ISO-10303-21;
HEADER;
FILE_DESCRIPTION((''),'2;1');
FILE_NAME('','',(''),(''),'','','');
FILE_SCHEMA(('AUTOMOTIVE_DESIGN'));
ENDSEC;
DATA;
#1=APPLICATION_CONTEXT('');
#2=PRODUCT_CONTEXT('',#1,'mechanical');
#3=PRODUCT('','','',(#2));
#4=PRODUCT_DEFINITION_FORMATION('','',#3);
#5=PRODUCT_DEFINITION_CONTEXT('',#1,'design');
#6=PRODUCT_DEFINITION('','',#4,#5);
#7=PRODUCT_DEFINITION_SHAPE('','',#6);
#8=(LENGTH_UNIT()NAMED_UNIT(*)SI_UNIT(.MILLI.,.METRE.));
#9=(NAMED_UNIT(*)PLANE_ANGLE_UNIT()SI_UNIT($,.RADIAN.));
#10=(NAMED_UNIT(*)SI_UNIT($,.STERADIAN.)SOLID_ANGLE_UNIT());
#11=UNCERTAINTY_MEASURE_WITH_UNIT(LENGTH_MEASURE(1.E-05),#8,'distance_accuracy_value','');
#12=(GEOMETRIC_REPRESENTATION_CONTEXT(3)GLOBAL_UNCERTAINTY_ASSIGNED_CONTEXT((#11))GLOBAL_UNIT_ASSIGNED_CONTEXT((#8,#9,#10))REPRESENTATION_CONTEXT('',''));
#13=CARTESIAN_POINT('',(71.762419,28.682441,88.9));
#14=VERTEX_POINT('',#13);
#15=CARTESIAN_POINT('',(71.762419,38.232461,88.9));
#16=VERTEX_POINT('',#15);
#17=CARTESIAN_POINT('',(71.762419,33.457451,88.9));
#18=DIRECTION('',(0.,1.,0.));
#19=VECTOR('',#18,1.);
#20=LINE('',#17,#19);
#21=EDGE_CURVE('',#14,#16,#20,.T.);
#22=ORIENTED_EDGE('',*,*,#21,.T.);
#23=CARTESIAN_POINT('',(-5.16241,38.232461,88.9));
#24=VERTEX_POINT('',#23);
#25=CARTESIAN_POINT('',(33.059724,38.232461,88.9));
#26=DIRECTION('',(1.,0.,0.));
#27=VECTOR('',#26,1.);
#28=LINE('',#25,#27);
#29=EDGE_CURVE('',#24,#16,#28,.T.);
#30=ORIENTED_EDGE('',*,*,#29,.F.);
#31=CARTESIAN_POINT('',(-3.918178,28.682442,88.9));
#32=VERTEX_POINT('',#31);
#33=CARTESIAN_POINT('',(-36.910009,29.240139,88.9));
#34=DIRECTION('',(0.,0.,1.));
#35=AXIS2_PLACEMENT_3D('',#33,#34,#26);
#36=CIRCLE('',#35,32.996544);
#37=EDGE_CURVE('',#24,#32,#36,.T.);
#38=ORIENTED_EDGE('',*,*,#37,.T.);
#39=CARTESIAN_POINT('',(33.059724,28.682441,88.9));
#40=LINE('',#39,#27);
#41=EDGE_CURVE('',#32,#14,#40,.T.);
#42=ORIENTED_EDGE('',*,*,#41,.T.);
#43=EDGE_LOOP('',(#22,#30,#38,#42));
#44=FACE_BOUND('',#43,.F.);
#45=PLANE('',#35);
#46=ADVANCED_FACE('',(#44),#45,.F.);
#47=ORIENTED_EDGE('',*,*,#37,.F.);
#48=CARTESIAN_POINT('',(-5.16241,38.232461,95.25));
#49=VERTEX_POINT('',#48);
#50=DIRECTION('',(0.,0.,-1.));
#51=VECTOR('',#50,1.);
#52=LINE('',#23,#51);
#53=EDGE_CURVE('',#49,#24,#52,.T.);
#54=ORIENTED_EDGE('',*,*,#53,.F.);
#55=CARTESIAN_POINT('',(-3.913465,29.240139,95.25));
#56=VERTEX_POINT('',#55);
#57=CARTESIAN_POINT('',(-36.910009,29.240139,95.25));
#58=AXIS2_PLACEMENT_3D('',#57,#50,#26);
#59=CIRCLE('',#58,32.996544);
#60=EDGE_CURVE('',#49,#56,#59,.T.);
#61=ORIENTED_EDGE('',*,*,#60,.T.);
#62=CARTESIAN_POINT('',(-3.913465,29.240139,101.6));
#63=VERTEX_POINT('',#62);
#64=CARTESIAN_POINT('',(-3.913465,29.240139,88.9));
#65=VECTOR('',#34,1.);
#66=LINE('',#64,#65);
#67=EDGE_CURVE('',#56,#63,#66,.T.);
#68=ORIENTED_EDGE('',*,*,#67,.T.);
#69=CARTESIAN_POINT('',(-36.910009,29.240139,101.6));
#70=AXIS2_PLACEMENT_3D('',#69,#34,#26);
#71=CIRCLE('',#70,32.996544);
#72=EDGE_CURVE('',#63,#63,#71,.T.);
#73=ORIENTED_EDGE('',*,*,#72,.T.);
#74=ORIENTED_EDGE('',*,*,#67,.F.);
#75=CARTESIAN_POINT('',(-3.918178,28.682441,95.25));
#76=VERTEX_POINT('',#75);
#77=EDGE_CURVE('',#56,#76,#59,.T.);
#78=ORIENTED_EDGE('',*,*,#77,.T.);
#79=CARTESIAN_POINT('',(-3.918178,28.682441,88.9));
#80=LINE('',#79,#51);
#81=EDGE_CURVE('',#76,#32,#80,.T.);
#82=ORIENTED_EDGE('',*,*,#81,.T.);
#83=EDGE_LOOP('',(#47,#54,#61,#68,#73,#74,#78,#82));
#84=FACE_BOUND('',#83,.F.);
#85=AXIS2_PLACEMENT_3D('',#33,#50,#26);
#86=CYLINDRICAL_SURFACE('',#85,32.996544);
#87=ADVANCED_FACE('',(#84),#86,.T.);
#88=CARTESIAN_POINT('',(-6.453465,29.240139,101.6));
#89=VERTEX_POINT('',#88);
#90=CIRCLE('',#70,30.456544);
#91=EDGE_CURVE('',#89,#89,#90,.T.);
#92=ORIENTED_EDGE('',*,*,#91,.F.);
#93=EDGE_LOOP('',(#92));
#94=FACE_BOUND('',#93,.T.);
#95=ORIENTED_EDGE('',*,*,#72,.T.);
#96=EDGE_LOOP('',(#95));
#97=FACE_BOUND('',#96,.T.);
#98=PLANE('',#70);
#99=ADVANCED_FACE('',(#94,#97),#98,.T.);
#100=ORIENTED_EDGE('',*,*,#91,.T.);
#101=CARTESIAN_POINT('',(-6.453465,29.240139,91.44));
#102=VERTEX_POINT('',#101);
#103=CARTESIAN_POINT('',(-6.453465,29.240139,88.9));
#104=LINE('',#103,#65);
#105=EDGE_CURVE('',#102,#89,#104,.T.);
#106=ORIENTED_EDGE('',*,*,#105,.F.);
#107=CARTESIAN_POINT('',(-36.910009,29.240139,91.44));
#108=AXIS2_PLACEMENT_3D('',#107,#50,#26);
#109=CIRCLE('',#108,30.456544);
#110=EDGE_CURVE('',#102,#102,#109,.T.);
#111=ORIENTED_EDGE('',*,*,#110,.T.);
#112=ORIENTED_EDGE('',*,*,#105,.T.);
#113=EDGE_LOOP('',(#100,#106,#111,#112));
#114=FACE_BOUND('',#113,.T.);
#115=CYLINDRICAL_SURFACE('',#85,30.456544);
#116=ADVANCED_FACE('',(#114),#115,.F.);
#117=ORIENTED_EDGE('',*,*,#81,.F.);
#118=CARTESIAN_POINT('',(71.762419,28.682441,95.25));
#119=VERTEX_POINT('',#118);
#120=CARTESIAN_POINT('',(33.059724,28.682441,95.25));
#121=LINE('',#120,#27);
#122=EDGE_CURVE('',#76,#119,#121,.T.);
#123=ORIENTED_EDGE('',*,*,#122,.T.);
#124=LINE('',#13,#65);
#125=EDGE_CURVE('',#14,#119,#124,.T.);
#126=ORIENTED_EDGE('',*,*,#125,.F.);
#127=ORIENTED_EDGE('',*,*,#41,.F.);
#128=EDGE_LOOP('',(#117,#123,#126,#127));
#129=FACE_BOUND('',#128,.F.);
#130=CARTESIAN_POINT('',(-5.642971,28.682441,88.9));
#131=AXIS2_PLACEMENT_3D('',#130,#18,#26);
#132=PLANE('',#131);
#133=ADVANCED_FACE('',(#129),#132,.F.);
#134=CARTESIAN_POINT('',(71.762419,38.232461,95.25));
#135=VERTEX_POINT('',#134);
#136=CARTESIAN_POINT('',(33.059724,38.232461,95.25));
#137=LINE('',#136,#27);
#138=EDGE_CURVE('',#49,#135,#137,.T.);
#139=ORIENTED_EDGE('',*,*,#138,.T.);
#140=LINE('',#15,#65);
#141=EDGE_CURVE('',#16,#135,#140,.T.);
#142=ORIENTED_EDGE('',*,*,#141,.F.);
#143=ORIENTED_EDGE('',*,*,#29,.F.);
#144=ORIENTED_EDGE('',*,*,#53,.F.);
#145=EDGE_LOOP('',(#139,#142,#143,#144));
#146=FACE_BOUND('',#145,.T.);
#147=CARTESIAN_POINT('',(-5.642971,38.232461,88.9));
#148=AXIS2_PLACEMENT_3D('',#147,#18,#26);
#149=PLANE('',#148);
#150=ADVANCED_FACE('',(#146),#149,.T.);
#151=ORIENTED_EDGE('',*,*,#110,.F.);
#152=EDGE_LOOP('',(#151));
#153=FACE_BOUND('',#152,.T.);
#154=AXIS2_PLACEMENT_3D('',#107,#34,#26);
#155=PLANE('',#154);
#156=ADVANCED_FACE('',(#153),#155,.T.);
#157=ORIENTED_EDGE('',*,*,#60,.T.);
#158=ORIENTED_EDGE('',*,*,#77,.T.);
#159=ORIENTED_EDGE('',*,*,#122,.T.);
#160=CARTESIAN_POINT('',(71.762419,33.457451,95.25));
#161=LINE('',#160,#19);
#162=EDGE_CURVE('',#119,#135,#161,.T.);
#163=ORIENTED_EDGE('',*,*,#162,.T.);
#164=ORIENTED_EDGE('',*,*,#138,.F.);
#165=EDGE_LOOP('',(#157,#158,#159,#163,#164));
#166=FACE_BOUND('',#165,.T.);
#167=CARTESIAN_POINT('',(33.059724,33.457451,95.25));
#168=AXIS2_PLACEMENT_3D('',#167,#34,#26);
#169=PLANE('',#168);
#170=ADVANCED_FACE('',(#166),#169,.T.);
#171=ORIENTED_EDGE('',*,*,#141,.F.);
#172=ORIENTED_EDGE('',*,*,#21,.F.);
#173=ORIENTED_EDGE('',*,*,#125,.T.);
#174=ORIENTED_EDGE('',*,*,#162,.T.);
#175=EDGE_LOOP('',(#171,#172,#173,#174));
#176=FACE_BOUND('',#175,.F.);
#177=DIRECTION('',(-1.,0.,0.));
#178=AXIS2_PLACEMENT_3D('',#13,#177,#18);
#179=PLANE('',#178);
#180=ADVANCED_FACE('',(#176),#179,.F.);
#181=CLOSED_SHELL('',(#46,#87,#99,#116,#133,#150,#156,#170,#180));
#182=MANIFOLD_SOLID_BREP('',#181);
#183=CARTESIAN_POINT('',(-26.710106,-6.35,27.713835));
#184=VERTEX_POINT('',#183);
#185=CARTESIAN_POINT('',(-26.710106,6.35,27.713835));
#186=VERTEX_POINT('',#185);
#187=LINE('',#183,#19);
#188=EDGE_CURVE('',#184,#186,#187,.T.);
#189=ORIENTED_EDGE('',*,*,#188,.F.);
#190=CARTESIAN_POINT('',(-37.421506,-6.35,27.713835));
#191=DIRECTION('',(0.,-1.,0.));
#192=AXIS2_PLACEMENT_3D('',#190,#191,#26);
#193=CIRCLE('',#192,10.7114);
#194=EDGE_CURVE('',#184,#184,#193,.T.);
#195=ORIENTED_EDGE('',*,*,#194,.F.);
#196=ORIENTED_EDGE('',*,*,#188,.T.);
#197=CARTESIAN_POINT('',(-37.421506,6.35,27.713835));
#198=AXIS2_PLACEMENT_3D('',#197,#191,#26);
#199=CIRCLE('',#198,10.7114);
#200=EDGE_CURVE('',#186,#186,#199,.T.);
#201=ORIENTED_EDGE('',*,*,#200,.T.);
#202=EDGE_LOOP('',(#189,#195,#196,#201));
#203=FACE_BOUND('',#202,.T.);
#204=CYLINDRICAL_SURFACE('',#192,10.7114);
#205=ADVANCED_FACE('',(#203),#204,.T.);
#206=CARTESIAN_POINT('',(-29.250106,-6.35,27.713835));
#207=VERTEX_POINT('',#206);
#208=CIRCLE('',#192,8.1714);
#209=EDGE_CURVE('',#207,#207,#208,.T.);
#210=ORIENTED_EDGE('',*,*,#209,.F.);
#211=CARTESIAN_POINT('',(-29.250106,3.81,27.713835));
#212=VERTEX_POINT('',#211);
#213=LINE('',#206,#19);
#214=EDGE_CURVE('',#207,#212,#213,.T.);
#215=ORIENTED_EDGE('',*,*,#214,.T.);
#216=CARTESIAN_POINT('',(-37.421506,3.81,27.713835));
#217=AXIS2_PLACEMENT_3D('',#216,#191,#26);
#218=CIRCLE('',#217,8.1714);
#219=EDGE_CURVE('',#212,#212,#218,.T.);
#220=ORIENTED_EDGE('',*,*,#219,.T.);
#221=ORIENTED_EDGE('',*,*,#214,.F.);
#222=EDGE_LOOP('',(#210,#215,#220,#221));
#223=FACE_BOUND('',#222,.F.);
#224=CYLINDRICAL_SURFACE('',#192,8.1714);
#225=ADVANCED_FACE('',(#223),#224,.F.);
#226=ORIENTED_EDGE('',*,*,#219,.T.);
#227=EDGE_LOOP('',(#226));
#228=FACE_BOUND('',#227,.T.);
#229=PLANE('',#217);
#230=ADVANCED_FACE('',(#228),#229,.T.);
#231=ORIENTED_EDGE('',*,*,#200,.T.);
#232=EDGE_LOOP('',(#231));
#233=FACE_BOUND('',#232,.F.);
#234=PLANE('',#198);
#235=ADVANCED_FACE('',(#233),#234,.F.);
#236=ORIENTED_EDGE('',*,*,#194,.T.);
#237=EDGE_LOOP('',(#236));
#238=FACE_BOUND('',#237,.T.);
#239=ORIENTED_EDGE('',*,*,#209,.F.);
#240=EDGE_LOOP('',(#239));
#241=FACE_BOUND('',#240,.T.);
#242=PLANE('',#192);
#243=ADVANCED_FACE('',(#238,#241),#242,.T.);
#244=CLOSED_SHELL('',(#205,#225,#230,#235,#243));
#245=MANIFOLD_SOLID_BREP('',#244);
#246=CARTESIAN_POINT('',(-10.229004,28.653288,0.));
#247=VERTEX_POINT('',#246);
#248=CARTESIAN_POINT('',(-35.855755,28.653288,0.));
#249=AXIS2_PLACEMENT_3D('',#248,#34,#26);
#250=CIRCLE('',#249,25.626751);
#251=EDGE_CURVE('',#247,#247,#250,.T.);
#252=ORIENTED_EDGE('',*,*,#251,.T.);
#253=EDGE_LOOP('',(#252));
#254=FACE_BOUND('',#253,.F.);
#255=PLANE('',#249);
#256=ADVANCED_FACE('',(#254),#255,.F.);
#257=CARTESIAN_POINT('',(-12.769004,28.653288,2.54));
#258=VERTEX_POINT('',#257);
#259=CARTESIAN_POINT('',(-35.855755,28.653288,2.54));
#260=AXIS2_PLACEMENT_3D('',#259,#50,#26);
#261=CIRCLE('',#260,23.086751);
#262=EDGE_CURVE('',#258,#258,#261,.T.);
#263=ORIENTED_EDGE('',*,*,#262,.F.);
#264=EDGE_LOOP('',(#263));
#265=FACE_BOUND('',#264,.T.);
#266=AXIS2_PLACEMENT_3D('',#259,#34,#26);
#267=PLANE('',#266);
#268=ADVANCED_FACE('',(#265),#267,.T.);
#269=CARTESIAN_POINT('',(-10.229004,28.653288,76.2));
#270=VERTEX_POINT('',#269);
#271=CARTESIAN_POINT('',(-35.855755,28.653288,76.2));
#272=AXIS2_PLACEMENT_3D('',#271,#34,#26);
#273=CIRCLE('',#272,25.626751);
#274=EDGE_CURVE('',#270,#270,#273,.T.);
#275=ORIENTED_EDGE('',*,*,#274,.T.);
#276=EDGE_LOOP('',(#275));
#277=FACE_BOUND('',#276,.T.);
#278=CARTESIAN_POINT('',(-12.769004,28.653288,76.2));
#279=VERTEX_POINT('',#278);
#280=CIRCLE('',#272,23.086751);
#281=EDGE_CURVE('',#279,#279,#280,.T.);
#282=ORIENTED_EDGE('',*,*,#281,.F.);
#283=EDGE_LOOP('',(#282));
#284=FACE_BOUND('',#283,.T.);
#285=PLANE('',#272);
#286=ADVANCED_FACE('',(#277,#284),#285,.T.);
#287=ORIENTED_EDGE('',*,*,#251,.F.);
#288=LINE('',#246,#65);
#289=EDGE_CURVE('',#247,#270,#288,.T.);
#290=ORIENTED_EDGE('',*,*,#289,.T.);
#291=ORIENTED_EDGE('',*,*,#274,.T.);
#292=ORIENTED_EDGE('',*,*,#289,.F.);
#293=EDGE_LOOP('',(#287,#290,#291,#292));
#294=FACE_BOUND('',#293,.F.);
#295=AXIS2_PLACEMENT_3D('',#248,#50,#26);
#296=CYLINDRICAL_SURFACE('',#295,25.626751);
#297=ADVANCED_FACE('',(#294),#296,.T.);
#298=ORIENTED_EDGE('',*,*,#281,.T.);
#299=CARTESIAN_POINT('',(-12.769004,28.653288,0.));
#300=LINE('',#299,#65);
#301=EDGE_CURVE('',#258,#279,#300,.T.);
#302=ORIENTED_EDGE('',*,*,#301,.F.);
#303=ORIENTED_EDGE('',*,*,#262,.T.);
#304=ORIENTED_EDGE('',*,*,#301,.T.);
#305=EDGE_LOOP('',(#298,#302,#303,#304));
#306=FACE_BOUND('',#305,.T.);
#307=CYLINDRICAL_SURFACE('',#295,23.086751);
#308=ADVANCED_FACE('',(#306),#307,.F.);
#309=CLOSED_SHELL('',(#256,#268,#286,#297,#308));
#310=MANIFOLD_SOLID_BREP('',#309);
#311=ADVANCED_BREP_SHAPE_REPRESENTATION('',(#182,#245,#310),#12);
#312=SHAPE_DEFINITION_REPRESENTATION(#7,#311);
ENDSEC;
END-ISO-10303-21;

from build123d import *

# Parameters (mm, degrees)
F0_R      = 25.626751
F1_DEPTH  = 76.2
F2_T      = -2.54
F4_R      = 10.7114
F5_DEPTH  = 12.7
F6_T      = -2.54
F10_R     = 32.996544
F11_DEPTH = 12.7
F12_T     = -2.54
F13_W     = 77.405391
F13_H     = 9.550019
F14_DEPTH = 6.35


with BuildPart() as f1:
    # F0 (on Top) → F1 (new body)
    with BuildSketch(Plane.XY):
        with Locations((-35.855755, 28.653288)):
            Circle(F0_R)
    extrude(amount=F1_DEPTH)

    # F2
    f2_openings = [f1.faces().sort_by_distance(p)[0] for p in [
        (-35.855755, 28.653288, 76.2),
    ]]
    offset(amount=F2_T, openings=f2_openings)


with BuildPart() as f5:
    # F4 (on offset) → F5 (new body)
    with BuildSketch(Plane.XZ.offset(6.35)):
        with Locations((-37.421506, 27.713835)):
            Circle(F4_R)
    extrude(amount=-F5_DEPTH)

    # F6
    f6_openings = [f5.faces().sort_by_distance(p)[0] for p in [
        (-37.421506, -6.35, 27.713835),
    ]]
    offset(amount=F6_T, openings=f6_openings)


with BuildPart() as f11:
    # F10 (on offset) → F11 (new body)
    with BuildSketch(Plane.XY.offset(88.9)):
        with Locations((-36.910009, 29.240139)):
            Circle(F10_R)
    extrude(amount=F11_DEPTH)

    # F12
    f12_openings = [f11.faces().sort_by_distance(p)[0] for p in [
        (-36.910009, 29.240139, 101.6),
    ]]
    offset(amount=F12_T, openings=f12_openings)

    # F13 (on offset) → F14 (join)
    with BuildSketch(Plane.XY.offset(88.9)):
        with Locations((33.059724, 33.457451)):
            Rectangle(F13_W, F13_H)
    extrude(amount=F14_DEPTH)


solid = Compound([f1.part, f5.part, f11.part])
